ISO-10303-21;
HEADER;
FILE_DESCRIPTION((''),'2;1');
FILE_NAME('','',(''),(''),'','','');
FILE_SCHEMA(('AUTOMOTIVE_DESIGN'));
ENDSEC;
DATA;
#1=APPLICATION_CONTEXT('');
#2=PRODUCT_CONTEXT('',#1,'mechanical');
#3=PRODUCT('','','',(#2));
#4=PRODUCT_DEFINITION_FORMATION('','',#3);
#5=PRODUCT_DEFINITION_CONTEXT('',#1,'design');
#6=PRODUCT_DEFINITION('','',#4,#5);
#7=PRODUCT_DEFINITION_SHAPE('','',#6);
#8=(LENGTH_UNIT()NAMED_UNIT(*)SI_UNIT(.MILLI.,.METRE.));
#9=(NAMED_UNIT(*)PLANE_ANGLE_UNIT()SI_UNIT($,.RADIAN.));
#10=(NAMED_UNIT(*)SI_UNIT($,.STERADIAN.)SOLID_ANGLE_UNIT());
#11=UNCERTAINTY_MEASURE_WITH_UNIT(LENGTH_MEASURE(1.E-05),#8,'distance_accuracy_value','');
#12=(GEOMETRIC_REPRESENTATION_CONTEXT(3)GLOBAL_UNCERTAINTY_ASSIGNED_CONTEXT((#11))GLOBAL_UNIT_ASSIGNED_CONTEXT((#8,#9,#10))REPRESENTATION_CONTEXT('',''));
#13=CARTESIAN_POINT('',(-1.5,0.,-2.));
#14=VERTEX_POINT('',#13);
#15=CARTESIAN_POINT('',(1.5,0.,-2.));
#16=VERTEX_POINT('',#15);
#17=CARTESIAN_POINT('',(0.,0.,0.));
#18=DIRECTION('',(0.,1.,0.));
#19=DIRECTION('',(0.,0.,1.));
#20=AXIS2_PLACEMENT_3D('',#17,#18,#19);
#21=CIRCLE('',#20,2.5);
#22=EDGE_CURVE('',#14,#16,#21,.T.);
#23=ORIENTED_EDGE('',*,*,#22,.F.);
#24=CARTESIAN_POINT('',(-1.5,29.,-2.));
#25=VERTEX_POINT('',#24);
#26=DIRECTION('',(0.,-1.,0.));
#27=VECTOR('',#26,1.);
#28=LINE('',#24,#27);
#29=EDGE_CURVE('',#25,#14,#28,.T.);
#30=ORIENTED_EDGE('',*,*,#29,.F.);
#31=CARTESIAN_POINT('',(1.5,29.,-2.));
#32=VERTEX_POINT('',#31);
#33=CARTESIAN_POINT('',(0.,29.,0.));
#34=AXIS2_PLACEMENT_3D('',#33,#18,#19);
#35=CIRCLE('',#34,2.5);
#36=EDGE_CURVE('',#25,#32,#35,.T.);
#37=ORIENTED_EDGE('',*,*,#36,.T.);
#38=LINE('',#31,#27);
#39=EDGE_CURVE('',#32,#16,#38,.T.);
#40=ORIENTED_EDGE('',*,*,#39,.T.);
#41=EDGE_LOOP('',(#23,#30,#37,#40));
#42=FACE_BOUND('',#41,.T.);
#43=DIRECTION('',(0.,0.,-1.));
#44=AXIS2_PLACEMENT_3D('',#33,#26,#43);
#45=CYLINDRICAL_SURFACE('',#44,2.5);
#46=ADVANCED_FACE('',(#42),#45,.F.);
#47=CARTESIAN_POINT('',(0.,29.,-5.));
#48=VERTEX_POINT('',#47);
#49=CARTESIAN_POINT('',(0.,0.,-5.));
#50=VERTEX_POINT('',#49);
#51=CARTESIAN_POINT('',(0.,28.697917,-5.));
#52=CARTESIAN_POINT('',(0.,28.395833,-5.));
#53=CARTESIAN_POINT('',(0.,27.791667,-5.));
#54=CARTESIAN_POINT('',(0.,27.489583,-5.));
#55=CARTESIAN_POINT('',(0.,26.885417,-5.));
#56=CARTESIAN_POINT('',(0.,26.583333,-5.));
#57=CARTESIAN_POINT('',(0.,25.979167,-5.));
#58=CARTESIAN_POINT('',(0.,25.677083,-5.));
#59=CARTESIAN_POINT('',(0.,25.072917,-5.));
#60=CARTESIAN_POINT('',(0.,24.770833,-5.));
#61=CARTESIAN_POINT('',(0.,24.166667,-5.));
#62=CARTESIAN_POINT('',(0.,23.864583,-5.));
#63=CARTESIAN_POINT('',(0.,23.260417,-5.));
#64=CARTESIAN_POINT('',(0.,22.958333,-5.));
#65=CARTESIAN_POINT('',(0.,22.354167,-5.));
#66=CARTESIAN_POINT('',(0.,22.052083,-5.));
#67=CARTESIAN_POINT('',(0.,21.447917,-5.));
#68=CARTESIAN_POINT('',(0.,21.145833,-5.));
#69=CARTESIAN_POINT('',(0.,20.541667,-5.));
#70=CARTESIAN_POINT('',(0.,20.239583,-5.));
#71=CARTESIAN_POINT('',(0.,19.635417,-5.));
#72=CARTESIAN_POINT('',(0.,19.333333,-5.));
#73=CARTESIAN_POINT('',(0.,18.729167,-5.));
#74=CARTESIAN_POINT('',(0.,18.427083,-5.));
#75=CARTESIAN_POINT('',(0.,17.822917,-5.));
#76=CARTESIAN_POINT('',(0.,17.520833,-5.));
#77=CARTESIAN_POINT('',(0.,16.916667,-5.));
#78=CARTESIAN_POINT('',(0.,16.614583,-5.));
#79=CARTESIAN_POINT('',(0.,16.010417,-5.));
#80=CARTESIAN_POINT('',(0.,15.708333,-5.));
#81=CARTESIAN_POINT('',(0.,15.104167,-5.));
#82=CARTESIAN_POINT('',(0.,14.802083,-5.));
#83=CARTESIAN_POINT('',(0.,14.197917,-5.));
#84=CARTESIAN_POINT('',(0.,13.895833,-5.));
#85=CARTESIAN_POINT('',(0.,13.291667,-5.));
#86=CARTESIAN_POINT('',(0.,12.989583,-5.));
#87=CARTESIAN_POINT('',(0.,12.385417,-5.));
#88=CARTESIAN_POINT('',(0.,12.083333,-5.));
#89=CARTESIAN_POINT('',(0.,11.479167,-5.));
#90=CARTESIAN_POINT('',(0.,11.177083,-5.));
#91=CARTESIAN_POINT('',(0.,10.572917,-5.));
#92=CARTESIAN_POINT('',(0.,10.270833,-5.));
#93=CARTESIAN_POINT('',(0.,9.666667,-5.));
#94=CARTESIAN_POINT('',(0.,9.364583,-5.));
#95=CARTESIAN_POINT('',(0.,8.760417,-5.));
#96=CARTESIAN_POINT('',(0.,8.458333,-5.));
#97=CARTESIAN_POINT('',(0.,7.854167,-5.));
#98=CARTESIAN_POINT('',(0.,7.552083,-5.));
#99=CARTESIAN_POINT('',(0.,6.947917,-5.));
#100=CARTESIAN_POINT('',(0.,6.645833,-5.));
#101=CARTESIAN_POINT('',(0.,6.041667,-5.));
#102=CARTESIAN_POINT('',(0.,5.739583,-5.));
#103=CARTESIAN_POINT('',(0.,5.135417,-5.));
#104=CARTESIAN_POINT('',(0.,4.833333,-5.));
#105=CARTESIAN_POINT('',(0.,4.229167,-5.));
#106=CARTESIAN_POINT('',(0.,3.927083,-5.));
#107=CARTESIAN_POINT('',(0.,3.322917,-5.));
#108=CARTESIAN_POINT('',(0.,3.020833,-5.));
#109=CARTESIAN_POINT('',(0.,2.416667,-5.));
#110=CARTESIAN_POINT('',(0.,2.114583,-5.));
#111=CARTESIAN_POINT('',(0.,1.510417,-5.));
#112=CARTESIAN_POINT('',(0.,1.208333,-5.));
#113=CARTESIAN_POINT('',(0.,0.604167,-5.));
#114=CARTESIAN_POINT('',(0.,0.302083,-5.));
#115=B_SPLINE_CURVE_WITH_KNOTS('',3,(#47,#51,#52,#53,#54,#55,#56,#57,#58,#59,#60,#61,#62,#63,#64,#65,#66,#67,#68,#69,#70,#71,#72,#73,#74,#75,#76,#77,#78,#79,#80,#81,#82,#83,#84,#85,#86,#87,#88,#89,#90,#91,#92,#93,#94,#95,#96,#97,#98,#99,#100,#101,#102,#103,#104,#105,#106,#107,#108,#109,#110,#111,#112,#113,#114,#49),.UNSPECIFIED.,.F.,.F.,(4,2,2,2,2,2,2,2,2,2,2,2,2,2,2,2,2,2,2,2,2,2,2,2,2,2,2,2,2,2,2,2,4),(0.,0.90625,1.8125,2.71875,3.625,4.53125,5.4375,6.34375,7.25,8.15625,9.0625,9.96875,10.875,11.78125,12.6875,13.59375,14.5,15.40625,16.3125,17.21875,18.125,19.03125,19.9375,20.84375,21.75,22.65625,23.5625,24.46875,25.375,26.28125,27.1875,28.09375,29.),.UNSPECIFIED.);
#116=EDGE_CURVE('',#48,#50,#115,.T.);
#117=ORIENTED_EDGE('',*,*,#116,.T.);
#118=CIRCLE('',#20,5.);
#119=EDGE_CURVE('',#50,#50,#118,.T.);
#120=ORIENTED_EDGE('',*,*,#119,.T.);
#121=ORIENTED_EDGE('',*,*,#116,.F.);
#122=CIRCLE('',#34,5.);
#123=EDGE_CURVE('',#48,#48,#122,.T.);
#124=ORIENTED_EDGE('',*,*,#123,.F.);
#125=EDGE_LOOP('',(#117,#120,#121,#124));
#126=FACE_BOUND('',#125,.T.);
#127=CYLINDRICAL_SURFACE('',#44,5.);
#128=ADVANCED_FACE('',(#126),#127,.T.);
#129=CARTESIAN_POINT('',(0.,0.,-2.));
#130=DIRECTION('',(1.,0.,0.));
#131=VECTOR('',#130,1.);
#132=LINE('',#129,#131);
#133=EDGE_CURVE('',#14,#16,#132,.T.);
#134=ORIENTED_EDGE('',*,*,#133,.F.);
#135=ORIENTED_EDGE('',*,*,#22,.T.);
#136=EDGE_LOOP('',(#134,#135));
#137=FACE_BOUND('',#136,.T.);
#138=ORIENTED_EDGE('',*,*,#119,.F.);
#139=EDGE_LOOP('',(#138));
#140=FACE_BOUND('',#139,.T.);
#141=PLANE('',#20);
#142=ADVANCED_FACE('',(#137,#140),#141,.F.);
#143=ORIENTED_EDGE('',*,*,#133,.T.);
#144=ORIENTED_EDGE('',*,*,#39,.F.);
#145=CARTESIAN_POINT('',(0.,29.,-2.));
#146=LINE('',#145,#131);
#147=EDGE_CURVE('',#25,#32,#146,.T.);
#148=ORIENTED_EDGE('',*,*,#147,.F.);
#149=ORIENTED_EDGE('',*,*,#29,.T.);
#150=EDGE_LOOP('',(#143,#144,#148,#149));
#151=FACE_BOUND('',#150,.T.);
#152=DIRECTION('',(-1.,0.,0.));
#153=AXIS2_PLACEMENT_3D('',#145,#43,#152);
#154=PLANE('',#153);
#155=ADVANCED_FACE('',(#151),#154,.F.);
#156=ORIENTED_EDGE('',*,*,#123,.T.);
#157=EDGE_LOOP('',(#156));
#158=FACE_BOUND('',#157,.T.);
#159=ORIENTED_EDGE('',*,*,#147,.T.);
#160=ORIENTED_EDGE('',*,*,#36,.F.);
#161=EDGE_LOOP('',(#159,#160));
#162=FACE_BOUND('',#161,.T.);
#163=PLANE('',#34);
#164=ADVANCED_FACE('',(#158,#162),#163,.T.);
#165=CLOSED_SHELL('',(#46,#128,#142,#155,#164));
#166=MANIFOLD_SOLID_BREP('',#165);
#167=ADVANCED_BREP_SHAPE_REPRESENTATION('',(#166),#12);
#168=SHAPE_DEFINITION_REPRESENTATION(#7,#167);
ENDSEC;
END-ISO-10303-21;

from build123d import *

# Parameters (mm, degrees)
SKETCH2_R           = 5
BOSS_EXTRUDE1_DEPTH = 29


with BuildPart() as part:
    # Sketch2 → Boss-Extrude1 (new body)
    # profile 1 of 2: a face of its own
    with BuildSketch(Plane(origin=(0, 0, 0), x_dir=(1, 0, 0), z_dir=(0, 1, 0))):
        with Locations(Location((0, 0, 0), (0, 0, 90))):
            Circle(SKETCH2_R)
        with BuildLine():
            ThreePointArc((2.5, 0), (-1.118033989, -2.236067977), (-1.5, 2))
            ThreePointArc((-1.5, 2), (0, 2.5), (1.5, 2))
            ThreePointArc((1.5, 2), (2.236067977, 1.118033989), (2.5, 0))
        make_face(mode=Mode.SUBTRACT)
    # profile 2 of 2: a face of its own
    with BuildSketch(Plane(origin=(0, 0, 0), x_dir=(1, 0, 0), z_dir=(0, 1, 0))):
        with BuildLine():
            Line((-1.5, 2), (1.5, 2))
            ThreePointArc((1.5, 2), (0, 2.5), (-1.5, 2))
        make_face()
    extrude(amount=BOSS_EXTRUDE1_DEPTH)


solid = part.part
